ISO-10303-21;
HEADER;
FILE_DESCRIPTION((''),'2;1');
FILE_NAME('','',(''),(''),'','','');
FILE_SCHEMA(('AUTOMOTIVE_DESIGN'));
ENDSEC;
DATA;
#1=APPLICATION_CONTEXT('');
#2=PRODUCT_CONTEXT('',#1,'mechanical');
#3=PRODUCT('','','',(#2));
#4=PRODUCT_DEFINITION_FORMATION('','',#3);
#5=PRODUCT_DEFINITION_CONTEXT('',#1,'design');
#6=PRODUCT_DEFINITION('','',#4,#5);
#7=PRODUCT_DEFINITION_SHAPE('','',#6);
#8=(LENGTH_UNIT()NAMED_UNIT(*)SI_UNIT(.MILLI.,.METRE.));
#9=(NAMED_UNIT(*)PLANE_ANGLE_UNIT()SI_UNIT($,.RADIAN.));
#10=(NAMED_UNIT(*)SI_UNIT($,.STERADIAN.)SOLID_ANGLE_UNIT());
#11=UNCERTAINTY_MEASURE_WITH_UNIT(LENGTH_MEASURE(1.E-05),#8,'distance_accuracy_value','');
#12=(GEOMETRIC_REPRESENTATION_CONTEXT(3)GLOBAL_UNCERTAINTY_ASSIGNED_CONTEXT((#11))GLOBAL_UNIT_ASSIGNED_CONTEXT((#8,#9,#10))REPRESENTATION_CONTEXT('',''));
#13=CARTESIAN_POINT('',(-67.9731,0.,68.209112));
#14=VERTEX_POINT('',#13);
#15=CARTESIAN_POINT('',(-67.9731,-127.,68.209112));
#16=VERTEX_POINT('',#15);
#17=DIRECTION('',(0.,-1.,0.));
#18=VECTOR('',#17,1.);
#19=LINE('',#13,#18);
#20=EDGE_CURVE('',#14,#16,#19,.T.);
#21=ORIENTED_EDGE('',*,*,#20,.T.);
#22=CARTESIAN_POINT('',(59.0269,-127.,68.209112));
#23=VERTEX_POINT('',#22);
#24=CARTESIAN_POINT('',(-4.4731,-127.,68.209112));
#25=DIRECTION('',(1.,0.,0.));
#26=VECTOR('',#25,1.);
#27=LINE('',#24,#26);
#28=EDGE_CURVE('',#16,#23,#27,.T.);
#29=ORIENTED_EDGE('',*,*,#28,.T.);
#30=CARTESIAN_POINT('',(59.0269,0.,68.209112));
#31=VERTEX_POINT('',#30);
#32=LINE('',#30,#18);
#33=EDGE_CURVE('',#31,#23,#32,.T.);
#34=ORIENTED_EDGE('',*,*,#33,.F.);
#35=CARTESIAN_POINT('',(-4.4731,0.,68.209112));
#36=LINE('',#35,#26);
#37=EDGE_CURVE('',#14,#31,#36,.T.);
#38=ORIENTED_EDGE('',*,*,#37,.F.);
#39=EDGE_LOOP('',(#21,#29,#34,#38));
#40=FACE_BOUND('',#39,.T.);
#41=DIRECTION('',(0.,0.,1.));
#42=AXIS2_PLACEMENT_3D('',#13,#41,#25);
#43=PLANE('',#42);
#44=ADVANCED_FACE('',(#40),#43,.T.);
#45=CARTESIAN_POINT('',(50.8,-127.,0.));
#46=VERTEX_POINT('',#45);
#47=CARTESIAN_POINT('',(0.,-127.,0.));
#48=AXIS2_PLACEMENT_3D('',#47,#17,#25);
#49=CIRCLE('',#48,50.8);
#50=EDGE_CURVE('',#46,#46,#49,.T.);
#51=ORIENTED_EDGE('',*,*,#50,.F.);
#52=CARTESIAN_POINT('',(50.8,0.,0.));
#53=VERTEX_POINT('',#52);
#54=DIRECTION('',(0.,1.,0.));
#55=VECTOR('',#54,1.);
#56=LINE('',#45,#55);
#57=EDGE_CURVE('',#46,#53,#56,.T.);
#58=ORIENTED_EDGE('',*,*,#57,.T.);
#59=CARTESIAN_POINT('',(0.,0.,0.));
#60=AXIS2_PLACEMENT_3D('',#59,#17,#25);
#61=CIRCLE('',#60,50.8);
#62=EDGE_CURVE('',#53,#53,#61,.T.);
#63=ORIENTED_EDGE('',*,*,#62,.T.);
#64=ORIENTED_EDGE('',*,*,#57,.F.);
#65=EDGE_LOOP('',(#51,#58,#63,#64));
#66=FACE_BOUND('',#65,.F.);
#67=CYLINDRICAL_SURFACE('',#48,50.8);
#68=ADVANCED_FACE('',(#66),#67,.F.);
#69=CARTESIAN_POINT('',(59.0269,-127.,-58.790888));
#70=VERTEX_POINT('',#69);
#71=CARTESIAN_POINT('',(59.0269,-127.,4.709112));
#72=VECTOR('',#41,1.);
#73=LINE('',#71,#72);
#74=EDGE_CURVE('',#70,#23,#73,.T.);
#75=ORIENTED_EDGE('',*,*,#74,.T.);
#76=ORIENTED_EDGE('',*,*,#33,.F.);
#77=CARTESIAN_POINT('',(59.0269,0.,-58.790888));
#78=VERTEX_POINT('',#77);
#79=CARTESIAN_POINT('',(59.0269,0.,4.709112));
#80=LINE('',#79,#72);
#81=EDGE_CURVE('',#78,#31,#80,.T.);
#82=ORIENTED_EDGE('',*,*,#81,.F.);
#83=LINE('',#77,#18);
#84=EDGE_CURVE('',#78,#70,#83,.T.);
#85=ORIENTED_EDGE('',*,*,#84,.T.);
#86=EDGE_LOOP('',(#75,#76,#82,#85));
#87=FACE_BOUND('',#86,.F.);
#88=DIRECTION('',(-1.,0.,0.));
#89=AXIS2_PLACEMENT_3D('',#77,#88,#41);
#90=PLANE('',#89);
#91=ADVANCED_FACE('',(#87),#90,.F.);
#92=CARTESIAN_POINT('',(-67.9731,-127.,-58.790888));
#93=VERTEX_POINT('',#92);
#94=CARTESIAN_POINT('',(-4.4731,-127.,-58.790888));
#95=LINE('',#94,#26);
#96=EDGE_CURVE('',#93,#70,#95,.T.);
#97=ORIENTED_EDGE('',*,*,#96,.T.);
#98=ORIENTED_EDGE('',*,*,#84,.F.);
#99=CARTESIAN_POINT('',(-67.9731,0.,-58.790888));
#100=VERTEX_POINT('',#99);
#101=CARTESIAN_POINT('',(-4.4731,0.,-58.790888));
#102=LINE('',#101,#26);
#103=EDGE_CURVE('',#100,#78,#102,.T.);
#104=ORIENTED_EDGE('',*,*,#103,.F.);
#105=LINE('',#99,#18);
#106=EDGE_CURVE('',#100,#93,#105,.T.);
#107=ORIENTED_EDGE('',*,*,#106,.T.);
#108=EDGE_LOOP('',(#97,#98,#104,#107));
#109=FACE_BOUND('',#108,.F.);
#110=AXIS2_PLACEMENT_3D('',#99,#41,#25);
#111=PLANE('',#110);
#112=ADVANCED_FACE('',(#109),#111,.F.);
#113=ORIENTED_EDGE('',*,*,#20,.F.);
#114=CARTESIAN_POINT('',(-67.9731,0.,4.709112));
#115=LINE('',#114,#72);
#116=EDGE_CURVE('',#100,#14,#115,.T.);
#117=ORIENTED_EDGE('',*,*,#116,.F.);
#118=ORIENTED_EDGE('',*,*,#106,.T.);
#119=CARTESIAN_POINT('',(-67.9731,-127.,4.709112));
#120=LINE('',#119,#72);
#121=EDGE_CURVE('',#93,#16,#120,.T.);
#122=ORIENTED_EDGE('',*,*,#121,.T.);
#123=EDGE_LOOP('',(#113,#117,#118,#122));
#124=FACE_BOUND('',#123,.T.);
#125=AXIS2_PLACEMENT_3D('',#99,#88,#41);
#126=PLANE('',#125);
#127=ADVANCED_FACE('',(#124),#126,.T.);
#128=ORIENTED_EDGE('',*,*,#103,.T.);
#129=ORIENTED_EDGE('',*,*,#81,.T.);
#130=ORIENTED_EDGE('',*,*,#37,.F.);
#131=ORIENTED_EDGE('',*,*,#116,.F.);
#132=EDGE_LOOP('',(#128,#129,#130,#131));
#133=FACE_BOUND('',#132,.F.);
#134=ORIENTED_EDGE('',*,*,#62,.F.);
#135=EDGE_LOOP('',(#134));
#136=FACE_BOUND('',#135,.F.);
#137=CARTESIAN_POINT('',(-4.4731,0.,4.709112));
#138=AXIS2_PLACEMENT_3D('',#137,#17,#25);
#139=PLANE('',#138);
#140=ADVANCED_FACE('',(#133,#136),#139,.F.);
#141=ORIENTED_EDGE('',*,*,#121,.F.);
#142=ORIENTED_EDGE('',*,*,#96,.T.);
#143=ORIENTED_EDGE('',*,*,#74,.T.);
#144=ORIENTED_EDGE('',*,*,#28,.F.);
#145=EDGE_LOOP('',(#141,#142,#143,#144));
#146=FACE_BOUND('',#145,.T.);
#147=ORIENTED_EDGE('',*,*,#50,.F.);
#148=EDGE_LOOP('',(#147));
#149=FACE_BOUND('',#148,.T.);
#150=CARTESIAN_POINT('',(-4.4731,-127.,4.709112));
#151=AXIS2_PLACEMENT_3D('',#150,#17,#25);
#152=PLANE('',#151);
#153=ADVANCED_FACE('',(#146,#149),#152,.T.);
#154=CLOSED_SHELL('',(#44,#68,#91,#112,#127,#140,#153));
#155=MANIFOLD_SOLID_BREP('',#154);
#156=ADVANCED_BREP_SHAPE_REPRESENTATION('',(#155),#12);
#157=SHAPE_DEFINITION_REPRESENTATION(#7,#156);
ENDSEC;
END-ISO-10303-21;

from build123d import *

# Parameters (mm, degrees)
F0_W     = 127
F0_H     = 127
F1_DEPTH = 127
F2_R     = 50.8
F3_DEPTH = 127.001


with BuildPart() as f1:
    # F0 (on Front) → F1 (new body)
    with BuildSketch(Plane.XZ):
        with Locations((-4.4731, 4.709112)):
            Rectangle(F0_W, F0_H)
    extrude(amount=F1_DEPTH)

    # F2 (on face) → F3 (cut, through all)
    with BuildSketch(Plane.XZ.offset(127)):
        Circle(F2_R)
    extrude(amount=-F3_DEPTH, mode=Mode.SUBTRACT)


solid = f1.part
